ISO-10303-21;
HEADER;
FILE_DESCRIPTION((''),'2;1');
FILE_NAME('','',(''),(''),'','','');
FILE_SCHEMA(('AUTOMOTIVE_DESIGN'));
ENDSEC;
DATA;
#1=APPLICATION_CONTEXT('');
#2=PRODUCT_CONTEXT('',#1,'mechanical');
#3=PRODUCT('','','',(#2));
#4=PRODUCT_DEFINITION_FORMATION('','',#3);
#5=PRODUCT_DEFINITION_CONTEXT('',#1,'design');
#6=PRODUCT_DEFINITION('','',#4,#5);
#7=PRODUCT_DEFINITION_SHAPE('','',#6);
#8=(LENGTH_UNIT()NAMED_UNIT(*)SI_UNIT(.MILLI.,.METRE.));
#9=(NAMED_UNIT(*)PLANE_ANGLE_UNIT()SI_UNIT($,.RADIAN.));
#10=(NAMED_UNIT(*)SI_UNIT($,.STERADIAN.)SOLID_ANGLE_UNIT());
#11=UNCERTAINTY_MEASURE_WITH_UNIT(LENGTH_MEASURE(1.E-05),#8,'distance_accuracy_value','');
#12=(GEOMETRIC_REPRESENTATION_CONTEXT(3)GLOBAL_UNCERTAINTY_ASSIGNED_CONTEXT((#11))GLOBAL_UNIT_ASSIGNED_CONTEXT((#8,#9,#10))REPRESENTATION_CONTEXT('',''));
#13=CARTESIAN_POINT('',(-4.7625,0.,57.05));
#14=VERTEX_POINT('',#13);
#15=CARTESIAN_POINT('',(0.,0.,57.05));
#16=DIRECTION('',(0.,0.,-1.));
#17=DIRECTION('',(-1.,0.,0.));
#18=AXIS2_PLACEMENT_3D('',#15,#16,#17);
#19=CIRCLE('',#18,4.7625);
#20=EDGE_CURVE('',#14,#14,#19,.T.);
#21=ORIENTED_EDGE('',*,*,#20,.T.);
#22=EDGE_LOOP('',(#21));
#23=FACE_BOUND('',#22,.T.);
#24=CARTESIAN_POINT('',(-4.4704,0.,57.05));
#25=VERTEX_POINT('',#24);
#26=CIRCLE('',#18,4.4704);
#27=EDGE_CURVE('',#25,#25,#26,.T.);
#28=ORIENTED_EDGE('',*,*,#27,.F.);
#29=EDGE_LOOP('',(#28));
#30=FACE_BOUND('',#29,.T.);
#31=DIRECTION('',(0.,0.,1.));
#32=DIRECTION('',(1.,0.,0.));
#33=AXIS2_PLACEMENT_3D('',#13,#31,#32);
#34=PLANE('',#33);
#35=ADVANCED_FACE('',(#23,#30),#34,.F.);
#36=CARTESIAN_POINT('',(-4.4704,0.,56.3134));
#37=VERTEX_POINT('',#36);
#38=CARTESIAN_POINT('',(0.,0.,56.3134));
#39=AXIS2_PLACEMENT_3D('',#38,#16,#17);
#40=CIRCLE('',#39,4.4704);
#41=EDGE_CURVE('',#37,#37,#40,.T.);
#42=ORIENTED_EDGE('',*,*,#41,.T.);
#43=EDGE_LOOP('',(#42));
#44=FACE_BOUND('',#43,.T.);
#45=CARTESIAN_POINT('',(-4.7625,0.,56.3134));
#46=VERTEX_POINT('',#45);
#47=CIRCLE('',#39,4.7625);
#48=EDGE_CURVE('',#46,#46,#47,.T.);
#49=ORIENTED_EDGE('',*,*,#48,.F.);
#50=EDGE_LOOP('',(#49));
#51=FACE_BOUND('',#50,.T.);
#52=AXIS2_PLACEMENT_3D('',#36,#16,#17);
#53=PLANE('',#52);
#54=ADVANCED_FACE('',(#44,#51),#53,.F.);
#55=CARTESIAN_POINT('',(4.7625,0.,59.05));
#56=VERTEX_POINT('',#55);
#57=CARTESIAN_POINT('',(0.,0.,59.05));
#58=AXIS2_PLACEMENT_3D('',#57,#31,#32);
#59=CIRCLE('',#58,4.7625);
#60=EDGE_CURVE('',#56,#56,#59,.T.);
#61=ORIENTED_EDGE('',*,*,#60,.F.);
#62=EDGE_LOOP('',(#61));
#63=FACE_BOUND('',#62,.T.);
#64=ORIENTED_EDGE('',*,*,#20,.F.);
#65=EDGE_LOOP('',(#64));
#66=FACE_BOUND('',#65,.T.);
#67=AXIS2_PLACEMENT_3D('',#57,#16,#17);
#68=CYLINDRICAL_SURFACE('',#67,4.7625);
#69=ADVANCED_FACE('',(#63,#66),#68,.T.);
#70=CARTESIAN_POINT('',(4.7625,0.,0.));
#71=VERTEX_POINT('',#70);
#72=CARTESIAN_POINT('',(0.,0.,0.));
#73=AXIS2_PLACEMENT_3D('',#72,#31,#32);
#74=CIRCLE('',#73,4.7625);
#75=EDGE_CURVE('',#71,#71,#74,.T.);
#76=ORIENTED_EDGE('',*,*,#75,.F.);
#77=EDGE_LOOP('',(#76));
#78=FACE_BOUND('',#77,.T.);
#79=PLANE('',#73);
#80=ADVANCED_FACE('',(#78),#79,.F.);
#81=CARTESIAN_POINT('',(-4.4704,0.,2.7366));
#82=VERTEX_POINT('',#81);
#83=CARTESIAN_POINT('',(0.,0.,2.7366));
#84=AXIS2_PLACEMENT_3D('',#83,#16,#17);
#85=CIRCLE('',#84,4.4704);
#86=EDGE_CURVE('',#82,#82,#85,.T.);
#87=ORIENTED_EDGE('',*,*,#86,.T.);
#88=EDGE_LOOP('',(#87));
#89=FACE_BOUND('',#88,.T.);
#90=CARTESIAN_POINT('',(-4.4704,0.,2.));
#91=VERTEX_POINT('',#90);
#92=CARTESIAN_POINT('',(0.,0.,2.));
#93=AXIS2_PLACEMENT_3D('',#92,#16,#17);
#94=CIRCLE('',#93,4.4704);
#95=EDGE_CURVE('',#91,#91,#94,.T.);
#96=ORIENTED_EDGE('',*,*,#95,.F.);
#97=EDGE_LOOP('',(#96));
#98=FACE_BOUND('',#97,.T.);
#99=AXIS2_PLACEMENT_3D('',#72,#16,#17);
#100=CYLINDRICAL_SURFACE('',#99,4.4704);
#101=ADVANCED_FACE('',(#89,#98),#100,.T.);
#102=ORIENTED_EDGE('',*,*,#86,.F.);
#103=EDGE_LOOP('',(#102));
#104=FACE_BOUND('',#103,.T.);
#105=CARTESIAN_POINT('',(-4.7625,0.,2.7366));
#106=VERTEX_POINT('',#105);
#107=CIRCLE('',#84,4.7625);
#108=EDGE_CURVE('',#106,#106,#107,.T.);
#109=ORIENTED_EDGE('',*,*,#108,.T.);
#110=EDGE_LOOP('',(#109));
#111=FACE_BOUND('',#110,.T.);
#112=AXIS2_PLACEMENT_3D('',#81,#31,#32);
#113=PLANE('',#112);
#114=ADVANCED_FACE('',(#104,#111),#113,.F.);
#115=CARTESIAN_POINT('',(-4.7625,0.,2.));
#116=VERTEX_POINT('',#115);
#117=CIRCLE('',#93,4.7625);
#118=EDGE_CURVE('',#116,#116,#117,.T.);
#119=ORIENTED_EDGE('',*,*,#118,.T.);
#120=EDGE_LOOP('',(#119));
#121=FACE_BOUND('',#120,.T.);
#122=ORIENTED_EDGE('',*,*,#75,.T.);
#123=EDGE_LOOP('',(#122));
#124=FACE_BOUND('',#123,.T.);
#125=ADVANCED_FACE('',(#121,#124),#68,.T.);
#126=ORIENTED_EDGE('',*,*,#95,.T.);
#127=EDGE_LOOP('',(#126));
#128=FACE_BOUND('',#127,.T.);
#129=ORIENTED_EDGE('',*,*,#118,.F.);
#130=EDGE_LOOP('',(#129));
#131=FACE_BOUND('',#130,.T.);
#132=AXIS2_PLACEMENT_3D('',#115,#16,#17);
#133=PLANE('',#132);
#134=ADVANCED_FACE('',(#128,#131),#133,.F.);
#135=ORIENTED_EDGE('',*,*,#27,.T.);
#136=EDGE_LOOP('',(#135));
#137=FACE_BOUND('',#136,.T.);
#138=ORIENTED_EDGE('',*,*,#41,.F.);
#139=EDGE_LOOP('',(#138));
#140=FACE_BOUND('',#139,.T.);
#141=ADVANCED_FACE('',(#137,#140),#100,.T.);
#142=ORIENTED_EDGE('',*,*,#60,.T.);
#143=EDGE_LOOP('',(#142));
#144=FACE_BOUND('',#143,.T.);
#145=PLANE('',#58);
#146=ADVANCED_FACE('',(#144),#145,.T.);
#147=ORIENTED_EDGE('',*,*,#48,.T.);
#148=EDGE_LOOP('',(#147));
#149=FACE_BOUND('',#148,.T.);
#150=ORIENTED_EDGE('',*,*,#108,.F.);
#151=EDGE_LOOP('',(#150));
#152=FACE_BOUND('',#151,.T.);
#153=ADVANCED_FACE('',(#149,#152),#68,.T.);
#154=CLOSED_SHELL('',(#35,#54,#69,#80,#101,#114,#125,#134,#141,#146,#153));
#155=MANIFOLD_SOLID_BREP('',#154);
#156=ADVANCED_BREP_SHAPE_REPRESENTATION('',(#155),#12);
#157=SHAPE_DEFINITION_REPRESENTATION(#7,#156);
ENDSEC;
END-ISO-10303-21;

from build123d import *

# Parameters (mm, degrees)
SKETCH1_R           = 4.7625
BOSS_EXTRUDE1_DEPTH = 59.05
SKETCH2_W           = 0.2921
SKETCH2_H           = 0.7366


with BuildPart() as part:
    # Sketch1 → Boss-Extrude1 (new body)
    with BuildSketch(Plane.XY):
        Circle(SKETCH1_R)
    extrude(amount=BOSS_EXTRUDE1_DEPTH)

    # Sketch2 → Cut-Revolve1 (revolve, cut)
    with BuildSketch(Plane(origin=(0, 0, 0), x_dir=(1, 0, 0), z_dir=(0, 1, 0))):
        with Locations((-4.61645, -2.3683)):
            Rectangle(SKETCH2_W, SKETCH2_H)
        with Locations((-4.61645, -56.6817)):
            Rectangle(SKETCH2_W, SKETCH2_H)
    revolve(axis=Axis((0, 0, 0), (0, 0, 1)), mode=Mode.SUBTRACT)


solid = part.part
